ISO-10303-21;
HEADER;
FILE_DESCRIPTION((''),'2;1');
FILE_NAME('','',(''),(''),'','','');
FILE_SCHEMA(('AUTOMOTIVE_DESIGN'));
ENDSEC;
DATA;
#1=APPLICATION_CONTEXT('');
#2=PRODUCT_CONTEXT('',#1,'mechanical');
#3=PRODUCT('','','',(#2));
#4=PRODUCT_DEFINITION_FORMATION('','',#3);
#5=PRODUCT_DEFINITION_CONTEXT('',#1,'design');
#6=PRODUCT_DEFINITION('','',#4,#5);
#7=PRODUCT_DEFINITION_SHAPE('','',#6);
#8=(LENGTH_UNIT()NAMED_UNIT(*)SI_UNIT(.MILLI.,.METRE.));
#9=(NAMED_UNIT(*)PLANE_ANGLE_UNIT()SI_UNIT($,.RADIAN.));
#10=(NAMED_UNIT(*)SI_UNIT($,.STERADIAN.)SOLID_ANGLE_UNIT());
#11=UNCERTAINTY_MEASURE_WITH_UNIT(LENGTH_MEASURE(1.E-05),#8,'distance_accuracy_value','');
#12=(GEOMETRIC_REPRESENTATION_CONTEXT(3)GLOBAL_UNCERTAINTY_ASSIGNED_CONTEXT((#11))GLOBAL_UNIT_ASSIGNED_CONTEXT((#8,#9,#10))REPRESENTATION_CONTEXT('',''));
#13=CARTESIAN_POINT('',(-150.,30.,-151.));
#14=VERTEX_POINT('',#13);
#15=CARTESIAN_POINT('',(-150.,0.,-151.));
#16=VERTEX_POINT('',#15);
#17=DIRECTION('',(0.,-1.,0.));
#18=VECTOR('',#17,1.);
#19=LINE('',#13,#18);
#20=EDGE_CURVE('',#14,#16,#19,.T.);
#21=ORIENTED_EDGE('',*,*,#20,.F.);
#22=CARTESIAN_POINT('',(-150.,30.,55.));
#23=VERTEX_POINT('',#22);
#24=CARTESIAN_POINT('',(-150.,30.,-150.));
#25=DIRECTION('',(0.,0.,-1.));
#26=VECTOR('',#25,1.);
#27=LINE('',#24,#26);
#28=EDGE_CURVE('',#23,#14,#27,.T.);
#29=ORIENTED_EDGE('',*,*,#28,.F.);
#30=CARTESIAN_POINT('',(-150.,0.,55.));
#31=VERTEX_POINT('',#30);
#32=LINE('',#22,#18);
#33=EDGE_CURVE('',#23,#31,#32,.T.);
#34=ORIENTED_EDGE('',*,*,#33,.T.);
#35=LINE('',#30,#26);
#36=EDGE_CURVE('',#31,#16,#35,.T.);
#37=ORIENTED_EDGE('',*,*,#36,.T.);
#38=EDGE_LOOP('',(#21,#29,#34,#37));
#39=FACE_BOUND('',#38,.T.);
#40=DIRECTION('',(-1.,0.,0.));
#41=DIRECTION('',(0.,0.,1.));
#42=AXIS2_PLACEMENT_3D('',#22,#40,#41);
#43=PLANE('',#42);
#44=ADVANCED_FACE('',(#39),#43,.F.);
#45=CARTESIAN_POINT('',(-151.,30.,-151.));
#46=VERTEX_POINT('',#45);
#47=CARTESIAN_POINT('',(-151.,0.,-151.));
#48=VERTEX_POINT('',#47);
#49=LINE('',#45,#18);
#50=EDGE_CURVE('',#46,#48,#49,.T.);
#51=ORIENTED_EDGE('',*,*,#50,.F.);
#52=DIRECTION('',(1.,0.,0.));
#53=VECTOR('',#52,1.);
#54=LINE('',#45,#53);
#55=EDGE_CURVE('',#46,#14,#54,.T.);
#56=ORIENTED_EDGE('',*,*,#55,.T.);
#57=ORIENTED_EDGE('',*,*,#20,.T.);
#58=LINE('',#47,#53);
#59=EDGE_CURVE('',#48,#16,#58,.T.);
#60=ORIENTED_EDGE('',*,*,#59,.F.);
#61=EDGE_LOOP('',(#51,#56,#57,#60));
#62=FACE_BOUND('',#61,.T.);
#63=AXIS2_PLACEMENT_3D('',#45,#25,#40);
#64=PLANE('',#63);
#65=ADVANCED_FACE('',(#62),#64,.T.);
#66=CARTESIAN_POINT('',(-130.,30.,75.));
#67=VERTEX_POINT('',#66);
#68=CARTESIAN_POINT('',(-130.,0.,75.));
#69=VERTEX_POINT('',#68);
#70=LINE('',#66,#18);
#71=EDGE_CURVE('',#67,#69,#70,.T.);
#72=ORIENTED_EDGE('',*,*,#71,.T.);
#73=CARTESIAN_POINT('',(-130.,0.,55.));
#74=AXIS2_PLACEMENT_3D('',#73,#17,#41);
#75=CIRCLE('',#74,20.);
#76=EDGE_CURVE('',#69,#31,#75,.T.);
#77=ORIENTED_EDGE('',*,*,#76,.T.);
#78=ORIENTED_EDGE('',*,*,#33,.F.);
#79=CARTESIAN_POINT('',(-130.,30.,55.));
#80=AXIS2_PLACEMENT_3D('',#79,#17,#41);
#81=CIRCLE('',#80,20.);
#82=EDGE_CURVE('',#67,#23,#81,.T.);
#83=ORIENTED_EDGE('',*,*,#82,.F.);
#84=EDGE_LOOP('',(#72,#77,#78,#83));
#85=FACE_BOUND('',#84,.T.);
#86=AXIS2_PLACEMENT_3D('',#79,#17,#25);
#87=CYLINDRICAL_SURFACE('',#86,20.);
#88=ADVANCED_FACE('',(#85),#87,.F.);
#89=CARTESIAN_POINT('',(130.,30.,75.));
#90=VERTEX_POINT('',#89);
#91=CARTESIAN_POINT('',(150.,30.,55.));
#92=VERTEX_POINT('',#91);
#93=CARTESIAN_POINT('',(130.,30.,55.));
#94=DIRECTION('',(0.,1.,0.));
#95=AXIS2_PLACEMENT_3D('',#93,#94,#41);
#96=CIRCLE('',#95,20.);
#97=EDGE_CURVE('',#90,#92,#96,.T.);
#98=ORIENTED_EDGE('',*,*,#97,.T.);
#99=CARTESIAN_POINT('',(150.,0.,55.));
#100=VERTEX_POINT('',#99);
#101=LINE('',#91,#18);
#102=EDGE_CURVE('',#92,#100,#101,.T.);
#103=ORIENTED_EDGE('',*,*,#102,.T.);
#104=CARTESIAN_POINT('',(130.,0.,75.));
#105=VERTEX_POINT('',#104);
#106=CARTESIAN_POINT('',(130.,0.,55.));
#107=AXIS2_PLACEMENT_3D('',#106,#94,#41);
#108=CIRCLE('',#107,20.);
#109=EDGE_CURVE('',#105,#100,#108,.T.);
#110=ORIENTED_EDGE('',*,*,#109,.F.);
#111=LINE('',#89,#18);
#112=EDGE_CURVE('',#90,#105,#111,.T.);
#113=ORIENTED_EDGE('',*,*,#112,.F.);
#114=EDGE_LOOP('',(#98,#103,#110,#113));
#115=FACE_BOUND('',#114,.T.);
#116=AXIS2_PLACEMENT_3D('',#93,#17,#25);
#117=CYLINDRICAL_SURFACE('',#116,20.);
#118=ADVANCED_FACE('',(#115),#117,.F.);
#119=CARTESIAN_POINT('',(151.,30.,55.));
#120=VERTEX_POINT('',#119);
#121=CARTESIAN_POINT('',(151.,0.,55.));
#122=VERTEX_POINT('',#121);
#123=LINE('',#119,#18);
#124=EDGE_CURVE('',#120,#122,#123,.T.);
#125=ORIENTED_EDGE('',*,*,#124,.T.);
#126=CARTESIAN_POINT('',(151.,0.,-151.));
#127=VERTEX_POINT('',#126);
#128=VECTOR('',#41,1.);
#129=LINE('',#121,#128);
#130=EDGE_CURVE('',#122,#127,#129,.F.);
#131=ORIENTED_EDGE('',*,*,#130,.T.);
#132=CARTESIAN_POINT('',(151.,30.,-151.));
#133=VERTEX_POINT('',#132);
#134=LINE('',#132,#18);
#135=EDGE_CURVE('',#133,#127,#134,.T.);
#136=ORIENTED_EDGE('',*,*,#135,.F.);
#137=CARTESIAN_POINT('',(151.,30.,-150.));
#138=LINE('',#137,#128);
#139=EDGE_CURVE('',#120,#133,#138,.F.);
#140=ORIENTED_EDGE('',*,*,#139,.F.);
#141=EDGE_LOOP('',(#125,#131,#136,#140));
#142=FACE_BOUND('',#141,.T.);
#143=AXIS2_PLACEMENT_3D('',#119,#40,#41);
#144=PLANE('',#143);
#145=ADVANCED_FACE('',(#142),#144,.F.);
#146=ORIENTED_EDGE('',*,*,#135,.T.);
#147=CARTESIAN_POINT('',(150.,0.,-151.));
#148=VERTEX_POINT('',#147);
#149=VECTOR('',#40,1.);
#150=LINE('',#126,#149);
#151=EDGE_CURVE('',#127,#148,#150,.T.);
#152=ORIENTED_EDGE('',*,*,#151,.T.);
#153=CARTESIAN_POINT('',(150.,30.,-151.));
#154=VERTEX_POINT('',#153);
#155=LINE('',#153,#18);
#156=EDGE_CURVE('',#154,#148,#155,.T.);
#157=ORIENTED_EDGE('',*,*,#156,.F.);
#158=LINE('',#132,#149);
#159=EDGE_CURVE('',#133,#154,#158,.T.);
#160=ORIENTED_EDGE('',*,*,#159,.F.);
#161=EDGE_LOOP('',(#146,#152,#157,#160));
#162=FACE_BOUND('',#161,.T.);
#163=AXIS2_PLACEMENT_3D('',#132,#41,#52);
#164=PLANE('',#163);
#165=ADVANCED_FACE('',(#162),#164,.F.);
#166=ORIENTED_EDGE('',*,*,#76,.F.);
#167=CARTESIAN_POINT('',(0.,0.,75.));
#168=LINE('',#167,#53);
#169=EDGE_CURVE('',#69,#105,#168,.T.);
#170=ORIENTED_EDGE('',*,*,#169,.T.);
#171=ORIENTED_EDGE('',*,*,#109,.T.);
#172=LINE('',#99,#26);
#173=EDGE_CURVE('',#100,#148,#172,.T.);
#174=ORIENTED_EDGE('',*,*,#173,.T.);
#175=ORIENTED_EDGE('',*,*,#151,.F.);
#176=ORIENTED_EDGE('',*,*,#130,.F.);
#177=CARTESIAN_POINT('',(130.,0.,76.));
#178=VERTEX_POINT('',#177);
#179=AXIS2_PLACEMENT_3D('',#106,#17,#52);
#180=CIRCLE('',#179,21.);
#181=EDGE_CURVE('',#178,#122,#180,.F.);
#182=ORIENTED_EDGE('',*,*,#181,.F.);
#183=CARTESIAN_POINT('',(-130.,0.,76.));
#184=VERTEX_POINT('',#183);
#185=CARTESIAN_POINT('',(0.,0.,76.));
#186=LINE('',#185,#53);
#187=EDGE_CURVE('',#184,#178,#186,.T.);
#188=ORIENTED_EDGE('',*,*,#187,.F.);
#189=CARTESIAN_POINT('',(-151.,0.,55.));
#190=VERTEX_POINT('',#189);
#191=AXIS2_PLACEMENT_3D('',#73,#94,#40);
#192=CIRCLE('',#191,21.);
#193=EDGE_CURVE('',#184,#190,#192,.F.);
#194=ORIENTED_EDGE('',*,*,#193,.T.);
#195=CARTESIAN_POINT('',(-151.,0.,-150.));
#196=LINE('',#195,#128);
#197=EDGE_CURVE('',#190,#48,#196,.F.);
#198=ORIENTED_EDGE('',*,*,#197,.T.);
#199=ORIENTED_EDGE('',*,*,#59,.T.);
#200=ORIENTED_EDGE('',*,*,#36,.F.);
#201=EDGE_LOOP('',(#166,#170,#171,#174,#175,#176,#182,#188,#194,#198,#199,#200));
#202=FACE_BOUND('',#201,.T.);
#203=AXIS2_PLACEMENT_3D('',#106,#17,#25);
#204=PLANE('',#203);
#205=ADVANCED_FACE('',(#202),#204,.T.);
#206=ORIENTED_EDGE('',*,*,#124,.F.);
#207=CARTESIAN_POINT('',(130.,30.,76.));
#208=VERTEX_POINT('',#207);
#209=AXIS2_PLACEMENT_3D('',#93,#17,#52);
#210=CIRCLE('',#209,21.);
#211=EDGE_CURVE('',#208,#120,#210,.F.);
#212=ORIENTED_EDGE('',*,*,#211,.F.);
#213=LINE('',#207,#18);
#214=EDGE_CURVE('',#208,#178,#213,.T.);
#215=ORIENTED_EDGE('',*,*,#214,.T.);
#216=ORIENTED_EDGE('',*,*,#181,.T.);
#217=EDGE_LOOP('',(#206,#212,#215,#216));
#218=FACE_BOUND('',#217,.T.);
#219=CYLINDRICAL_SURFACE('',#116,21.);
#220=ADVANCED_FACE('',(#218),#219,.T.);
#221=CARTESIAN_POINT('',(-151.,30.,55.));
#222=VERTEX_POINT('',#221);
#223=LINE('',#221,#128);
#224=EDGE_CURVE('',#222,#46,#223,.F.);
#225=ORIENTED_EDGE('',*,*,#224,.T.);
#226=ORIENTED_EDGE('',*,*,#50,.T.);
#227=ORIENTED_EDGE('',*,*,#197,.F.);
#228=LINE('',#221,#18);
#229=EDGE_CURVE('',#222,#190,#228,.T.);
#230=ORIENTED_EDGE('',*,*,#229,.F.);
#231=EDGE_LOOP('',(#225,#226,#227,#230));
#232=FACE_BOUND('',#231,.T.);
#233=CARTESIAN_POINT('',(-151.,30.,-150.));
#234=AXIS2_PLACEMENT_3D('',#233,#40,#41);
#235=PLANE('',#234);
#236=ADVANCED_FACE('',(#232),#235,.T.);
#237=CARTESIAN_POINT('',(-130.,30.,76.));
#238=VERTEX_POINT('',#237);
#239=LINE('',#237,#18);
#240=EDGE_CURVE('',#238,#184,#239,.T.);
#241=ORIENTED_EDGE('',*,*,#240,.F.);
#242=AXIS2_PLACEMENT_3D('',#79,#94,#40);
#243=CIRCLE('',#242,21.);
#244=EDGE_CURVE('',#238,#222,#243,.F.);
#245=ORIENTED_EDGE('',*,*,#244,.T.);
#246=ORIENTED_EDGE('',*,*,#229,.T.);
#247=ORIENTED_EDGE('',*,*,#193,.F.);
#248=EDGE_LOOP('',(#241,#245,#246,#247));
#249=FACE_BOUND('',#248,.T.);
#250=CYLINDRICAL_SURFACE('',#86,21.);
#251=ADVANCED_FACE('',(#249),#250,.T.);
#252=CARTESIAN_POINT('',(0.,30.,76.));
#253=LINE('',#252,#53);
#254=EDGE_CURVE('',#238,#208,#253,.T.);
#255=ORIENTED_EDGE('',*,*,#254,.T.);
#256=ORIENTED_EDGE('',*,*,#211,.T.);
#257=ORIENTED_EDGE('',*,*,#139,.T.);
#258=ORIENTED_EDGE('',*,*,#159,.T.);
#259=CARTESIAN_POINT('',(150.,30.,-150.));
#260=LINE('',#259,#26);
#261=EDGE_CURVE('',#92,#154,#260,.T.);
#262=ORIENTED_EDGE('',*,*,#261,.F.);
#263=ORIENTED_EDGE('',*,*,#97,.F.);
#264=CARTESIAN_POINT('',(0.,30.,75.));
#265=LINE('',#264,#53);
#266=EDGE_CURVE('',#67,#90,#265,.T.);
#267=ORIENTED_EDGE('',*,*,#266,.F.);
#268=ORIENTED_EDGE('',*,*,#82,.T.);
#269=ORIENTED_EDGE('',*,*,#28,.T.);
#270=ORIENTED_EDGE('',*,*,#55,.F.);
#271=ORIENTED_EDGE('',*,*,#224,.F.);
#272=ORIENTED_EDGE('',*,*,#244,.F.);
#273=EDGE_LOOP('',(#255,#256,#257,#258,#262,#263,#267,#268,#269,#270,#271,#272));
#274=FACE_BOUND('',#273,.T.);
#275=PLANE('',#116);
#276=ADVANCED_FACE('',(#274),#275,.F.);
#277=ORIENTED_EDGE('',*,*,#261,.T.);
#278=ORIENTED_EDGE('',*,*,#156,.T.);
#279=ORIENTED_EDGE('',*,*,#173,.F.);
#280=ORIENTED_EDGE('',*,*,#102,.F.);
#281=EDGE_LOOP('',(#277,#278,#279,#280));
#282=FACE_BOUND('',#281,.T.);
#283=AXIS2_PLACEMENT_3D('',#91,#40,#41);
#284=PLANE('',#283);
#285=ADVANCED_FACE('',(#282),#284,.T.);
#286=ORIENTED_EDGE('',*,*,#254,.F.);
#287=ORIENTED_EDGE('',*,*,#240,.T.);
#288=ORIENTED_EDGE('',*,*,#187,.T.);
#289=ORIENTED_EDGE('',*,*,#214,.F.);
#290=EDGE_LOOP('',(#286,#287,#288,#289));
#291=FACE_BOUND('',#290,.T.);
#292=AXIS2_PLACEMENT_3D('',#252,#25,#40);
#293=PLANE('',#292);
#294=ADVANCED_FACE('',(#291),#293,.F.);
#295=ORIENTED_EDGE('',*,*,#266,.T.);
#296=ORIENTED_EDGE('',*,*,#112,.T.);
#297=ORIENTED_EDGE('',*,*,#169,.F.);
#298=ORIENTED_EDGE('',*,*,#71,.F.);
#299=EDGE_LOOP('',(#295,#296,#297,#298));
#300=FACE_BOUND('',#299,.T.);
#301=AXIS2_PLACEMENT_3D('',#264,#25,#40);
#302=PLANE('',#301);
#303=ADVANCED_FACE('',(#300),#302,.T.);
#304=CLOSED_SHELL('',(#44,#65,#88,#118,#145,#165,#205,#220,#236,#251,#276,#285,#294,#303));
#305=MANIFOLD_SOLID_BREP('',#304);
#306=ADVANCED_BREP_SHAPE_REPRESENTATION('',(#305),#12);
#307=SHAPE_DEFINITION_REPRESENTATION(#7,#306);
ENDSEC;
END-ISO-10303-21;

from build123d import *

# Parameters (mm, degrees)
LINEAR_AUSTRAGEN_D_NN1_DEPTH = 30


with BuildPart() as part:
    # Skizze1 → Linear-Austragen-Dünn1 (new body)
    with BuildSketch(Plane.XZ):
        with BuildLine():
            Line((0, 75), (130, 75))
            ThreePointArc((130, 75), (144.142135624, 69.142135624), (150, 55))
            Line((150, 55), (150, -150))
            Line((150, -150), (150, -151))
            Line((150, -151), (151, -151))
            Line((151, -151), (151, -150))
            Line((151, -150), (151, 55))
            ThreePointArc((151, 55), (144.849242405, 69.849242405), (130, 76))
            Line((130, 76), (0, 76))
            Line((0, 76), (0, 75))
        make_face()
    linear_austragen_d_nn1 = extrude(amount=-LINEAR_AUSTRAGEN_D_NN1_DEPTH)

    # Spiegeln1: Linear-Austragen-Dünn1 across plane
    add(linear_austragen_d_nn1.mirror(Plane(origin=(0, 30, 75), x_dir=(0, 0, 1), z_dir=(1, 0, 0))))


solid = part.part
